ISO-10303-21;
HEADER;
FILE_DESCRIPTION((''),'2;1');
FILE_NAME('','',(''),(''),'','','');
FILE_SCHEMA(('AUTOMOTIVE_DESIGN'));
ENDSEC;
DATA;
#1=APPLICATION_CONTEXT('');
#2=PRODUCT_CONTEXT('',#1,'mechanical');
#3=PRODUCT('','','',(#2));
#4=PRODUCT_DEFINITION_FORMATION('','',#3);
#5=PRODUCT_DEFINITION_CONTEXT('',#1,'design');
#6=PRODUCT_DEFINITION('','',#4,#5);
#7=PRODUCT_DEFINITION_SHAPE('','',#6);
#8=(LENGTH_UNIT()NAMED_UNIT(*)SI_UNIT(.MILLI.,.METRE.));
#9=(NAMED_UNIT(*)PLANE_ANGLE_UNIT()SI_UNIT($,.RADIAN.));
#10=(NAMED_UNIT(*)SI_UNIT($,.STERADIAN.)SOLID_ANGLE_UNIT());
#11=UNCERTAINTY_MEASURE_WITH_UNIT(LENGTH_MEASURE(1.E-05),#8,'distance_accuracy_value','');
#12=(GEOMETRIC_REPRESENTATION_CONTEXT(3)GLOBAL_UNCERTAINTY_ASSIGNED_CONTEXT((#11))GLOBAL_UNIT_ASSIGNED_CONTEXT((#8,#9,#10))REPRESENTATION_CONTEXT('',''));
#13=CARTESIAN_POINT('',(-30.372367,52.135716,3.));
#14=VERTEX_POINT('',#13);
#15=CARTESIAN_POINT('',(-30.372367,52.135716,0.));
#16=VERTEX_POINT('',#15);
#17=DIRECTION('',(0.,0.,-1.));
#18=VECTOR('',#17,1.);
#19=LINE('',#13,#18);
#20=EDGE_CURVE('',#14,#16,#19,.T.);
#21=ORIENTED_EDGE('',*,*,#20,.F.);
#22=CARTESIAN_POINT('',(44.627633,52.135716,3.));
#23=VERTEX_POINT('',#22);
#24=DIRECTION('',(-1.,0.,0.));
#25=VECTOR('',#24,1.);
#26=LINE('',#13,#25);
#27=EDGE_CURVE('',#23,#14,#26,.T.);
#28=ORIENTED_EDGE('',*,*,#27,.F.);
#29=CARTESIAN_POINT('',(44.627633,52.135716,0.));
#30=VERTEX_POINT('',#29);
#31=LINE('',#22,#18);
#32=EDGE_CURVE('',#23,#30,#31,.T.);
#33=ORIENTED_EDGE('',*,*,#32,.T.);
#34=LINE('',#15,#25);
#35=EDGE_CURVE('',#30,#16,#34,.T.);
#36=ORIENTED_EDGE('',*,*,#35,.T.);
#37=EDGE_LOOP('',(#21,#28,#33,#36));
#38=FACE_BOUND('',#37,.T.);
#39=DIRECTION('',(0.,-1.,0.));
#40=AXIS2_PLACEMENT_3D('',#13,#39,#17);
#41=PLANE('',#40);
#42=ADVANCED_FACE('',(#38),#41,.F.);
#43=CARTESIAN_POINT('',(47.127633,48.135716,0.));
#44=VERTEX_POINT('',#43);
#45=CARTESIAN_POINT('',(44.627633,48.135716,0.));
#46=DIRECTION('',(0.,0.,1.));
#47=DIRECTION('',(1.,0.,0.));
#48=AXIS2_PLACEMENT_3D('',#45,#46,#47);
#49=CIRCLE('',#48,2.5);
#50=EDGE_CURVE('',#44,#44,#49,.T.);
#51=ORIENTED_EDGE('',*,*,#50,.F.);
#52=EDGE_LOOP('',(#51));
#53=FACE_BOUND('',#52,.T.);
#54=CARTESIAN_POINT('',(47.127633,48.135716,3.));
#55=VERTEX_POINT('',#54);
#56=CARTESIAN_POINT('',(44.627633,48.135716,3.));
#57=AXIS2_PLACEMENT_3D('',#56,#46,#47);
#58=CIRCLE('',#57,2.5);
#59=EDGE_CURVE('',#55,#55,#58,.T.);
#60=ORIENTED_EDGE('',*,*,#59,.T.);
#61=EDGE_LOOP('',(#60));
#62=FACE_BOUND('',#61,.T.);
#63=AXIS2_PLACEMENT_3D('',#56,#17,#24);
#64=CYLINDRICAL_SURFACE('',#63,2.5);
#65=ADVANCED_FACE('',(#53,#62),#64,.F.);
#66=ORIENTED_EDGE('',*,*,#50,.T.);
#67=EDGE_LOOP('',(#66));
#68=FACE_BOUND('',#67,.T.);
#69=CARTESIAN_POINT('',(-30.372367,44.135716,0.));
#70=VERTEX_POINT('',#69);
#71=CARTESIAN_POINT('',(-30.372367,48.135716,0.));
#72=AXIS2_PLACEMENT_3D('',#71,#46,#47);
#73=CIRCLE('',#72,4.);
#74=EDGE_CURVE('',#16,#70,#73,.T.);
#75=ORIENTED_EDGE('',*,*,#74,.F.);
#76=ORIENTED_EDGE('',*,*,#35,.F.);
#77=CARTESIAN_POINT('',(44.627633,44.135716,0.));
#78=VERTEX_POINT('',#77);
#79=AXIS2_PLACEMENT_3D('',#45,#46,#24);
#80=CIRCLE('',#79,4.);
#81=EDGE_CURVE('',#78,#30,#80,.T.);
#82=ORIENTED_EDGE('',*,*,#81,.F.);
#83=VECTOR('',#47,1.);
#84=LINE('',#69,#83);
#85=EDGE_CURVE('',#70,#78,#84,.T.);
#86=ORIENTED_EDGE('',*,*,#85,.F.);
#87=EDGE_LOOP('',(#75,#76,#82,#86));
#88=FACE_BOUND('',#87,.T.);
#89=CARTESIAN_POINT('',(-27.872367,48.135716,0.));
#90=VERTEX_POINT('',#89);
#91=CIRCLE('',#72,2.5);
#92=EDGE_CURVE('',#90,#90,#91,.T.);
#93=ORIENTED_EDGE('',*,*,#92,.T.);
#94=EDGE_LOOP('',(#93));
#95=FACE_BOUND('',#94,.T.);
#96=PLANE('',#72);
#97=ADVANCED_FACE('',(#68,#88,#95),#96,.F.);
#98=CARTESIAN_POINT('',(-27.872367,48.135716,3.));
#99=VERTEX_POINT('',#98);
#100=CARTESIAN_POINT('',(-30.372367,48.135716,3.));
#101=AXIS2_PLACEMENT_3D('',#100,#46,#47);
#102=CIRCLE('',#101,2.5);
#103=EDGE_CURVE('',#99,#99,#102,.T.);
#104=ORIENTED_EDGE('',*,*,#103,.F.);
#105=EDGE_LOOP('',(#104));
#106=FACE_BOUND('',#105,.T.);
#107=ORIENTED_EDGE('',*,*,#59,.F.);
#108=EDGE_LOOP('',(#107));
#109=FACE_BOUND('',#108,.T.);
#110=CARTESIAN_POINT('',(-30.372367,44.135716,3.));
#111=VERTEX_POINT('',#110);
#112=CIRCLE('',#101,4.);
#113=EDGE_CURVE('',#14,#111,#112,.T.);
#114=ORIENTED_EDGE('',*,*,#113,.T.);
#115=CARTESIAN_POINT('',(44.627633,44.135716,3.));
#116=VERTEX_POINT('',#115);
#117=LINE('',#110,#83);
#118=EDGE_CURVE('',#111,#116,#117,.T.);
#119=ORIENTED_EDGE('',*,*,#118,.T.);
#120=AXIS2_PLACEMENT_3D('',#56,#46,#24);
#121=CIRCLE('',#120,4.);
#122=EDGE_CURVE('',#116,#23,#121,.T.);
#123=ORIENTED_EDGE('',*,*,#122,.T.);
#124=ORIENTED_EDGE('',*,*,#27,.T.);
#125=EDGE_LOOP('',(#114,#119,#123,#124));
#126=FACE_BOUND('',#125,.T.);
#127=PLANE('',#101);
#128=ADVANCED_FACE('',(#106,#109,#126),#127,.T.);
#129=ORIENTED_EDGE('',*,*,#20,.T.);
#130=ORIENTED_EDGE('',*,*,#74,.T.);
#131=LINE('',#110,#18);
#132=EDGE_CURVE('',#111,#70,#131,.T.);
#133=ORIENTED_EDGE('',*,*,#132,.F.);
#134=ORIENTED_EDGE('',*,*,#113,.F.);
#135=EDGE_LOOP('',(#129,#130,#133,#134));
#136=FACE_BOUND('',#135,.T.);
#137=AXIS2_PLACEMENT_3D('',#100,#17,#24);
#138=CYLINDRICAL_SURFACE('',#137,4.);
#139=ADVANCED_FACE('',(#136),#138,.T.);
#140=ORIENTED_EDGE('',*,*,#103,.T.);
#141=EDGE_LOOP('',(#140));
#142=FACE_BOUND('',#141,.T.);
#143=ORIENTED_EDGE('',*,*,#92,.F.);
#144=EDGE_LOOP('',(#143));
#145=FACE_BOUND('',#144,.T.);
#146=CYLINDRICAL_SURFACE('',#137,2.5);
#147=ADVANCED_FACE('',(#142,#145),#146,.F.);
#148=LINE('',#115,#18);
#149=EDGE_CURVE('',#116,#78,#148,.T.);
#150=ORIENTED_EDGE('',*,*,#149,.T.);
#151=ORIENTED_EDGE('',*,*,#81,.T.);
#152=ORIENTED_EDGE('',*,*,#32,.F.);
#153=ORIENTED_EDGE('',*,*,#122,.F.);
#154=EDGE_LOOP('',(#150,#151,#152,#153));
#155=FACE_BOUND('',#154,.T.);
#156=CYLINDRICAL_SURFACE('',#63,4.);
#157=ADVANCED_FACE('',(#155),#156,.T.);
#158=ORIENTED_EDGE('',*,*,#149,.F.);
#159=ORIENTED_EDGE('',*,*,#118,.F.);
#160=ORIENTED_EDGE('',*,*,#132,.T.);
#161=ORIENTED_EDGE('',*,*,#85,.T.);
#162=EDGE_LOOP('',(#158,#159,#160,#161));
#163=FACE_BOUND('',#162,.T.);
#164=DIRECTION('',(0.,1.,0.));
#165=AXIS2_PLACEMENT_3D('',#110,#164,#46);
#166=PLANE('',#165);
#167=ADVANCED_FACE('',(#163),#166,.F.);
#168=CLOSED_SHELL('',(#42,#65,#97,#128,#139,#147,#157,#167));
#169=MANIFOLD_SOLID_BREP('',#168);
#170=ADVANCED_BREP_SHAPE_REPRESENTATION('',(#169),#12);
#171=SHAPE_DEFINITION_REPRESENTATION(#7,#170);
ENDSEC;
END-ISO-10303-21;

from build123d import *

# Parameters (mm, degrees)
SKETCH1_R           = 2.5
BOSS_EXTRUDE1_DEPTH = 3


with BuildPart() as part:
    # Sketch1 → Boss-Extrude1 (new body)
    with BuildSketch(Plane(origin=(0, 34.703080777, 0), x_dir=(1, 0, 0), z_dir=(0, 0, 1))):
        with BuildLine():
            Line((-30.372366657, 17.432635687), (44.627633343, 17.432635687))
            ThreePointArc((44.627633343, 17.432635687), (48.627633343, 13.432635687), (44.627633343, 9.432635687))
            Line((44.627633343, 9.432635687), (-30.372366657, 9.432635687))
            ThreePointArc((-30.372366657, 9.432635687), (-34.372366657, 13.432635687), (-30.372366657, 17.432635687))
        make_face()
        with Locations((-30.372366657, 13.432635687)):
            Circle(SKETCH1_R, mode=Mode.SUBTRACT)
        with Locations((44.627633343, 13.432635687)):
            Circle(SKETCH1_R, mode=Mode.SUBTRACT)
    extrude(amount=BOSS_EXTRUDE1_DEPTH)


solid = part.part
